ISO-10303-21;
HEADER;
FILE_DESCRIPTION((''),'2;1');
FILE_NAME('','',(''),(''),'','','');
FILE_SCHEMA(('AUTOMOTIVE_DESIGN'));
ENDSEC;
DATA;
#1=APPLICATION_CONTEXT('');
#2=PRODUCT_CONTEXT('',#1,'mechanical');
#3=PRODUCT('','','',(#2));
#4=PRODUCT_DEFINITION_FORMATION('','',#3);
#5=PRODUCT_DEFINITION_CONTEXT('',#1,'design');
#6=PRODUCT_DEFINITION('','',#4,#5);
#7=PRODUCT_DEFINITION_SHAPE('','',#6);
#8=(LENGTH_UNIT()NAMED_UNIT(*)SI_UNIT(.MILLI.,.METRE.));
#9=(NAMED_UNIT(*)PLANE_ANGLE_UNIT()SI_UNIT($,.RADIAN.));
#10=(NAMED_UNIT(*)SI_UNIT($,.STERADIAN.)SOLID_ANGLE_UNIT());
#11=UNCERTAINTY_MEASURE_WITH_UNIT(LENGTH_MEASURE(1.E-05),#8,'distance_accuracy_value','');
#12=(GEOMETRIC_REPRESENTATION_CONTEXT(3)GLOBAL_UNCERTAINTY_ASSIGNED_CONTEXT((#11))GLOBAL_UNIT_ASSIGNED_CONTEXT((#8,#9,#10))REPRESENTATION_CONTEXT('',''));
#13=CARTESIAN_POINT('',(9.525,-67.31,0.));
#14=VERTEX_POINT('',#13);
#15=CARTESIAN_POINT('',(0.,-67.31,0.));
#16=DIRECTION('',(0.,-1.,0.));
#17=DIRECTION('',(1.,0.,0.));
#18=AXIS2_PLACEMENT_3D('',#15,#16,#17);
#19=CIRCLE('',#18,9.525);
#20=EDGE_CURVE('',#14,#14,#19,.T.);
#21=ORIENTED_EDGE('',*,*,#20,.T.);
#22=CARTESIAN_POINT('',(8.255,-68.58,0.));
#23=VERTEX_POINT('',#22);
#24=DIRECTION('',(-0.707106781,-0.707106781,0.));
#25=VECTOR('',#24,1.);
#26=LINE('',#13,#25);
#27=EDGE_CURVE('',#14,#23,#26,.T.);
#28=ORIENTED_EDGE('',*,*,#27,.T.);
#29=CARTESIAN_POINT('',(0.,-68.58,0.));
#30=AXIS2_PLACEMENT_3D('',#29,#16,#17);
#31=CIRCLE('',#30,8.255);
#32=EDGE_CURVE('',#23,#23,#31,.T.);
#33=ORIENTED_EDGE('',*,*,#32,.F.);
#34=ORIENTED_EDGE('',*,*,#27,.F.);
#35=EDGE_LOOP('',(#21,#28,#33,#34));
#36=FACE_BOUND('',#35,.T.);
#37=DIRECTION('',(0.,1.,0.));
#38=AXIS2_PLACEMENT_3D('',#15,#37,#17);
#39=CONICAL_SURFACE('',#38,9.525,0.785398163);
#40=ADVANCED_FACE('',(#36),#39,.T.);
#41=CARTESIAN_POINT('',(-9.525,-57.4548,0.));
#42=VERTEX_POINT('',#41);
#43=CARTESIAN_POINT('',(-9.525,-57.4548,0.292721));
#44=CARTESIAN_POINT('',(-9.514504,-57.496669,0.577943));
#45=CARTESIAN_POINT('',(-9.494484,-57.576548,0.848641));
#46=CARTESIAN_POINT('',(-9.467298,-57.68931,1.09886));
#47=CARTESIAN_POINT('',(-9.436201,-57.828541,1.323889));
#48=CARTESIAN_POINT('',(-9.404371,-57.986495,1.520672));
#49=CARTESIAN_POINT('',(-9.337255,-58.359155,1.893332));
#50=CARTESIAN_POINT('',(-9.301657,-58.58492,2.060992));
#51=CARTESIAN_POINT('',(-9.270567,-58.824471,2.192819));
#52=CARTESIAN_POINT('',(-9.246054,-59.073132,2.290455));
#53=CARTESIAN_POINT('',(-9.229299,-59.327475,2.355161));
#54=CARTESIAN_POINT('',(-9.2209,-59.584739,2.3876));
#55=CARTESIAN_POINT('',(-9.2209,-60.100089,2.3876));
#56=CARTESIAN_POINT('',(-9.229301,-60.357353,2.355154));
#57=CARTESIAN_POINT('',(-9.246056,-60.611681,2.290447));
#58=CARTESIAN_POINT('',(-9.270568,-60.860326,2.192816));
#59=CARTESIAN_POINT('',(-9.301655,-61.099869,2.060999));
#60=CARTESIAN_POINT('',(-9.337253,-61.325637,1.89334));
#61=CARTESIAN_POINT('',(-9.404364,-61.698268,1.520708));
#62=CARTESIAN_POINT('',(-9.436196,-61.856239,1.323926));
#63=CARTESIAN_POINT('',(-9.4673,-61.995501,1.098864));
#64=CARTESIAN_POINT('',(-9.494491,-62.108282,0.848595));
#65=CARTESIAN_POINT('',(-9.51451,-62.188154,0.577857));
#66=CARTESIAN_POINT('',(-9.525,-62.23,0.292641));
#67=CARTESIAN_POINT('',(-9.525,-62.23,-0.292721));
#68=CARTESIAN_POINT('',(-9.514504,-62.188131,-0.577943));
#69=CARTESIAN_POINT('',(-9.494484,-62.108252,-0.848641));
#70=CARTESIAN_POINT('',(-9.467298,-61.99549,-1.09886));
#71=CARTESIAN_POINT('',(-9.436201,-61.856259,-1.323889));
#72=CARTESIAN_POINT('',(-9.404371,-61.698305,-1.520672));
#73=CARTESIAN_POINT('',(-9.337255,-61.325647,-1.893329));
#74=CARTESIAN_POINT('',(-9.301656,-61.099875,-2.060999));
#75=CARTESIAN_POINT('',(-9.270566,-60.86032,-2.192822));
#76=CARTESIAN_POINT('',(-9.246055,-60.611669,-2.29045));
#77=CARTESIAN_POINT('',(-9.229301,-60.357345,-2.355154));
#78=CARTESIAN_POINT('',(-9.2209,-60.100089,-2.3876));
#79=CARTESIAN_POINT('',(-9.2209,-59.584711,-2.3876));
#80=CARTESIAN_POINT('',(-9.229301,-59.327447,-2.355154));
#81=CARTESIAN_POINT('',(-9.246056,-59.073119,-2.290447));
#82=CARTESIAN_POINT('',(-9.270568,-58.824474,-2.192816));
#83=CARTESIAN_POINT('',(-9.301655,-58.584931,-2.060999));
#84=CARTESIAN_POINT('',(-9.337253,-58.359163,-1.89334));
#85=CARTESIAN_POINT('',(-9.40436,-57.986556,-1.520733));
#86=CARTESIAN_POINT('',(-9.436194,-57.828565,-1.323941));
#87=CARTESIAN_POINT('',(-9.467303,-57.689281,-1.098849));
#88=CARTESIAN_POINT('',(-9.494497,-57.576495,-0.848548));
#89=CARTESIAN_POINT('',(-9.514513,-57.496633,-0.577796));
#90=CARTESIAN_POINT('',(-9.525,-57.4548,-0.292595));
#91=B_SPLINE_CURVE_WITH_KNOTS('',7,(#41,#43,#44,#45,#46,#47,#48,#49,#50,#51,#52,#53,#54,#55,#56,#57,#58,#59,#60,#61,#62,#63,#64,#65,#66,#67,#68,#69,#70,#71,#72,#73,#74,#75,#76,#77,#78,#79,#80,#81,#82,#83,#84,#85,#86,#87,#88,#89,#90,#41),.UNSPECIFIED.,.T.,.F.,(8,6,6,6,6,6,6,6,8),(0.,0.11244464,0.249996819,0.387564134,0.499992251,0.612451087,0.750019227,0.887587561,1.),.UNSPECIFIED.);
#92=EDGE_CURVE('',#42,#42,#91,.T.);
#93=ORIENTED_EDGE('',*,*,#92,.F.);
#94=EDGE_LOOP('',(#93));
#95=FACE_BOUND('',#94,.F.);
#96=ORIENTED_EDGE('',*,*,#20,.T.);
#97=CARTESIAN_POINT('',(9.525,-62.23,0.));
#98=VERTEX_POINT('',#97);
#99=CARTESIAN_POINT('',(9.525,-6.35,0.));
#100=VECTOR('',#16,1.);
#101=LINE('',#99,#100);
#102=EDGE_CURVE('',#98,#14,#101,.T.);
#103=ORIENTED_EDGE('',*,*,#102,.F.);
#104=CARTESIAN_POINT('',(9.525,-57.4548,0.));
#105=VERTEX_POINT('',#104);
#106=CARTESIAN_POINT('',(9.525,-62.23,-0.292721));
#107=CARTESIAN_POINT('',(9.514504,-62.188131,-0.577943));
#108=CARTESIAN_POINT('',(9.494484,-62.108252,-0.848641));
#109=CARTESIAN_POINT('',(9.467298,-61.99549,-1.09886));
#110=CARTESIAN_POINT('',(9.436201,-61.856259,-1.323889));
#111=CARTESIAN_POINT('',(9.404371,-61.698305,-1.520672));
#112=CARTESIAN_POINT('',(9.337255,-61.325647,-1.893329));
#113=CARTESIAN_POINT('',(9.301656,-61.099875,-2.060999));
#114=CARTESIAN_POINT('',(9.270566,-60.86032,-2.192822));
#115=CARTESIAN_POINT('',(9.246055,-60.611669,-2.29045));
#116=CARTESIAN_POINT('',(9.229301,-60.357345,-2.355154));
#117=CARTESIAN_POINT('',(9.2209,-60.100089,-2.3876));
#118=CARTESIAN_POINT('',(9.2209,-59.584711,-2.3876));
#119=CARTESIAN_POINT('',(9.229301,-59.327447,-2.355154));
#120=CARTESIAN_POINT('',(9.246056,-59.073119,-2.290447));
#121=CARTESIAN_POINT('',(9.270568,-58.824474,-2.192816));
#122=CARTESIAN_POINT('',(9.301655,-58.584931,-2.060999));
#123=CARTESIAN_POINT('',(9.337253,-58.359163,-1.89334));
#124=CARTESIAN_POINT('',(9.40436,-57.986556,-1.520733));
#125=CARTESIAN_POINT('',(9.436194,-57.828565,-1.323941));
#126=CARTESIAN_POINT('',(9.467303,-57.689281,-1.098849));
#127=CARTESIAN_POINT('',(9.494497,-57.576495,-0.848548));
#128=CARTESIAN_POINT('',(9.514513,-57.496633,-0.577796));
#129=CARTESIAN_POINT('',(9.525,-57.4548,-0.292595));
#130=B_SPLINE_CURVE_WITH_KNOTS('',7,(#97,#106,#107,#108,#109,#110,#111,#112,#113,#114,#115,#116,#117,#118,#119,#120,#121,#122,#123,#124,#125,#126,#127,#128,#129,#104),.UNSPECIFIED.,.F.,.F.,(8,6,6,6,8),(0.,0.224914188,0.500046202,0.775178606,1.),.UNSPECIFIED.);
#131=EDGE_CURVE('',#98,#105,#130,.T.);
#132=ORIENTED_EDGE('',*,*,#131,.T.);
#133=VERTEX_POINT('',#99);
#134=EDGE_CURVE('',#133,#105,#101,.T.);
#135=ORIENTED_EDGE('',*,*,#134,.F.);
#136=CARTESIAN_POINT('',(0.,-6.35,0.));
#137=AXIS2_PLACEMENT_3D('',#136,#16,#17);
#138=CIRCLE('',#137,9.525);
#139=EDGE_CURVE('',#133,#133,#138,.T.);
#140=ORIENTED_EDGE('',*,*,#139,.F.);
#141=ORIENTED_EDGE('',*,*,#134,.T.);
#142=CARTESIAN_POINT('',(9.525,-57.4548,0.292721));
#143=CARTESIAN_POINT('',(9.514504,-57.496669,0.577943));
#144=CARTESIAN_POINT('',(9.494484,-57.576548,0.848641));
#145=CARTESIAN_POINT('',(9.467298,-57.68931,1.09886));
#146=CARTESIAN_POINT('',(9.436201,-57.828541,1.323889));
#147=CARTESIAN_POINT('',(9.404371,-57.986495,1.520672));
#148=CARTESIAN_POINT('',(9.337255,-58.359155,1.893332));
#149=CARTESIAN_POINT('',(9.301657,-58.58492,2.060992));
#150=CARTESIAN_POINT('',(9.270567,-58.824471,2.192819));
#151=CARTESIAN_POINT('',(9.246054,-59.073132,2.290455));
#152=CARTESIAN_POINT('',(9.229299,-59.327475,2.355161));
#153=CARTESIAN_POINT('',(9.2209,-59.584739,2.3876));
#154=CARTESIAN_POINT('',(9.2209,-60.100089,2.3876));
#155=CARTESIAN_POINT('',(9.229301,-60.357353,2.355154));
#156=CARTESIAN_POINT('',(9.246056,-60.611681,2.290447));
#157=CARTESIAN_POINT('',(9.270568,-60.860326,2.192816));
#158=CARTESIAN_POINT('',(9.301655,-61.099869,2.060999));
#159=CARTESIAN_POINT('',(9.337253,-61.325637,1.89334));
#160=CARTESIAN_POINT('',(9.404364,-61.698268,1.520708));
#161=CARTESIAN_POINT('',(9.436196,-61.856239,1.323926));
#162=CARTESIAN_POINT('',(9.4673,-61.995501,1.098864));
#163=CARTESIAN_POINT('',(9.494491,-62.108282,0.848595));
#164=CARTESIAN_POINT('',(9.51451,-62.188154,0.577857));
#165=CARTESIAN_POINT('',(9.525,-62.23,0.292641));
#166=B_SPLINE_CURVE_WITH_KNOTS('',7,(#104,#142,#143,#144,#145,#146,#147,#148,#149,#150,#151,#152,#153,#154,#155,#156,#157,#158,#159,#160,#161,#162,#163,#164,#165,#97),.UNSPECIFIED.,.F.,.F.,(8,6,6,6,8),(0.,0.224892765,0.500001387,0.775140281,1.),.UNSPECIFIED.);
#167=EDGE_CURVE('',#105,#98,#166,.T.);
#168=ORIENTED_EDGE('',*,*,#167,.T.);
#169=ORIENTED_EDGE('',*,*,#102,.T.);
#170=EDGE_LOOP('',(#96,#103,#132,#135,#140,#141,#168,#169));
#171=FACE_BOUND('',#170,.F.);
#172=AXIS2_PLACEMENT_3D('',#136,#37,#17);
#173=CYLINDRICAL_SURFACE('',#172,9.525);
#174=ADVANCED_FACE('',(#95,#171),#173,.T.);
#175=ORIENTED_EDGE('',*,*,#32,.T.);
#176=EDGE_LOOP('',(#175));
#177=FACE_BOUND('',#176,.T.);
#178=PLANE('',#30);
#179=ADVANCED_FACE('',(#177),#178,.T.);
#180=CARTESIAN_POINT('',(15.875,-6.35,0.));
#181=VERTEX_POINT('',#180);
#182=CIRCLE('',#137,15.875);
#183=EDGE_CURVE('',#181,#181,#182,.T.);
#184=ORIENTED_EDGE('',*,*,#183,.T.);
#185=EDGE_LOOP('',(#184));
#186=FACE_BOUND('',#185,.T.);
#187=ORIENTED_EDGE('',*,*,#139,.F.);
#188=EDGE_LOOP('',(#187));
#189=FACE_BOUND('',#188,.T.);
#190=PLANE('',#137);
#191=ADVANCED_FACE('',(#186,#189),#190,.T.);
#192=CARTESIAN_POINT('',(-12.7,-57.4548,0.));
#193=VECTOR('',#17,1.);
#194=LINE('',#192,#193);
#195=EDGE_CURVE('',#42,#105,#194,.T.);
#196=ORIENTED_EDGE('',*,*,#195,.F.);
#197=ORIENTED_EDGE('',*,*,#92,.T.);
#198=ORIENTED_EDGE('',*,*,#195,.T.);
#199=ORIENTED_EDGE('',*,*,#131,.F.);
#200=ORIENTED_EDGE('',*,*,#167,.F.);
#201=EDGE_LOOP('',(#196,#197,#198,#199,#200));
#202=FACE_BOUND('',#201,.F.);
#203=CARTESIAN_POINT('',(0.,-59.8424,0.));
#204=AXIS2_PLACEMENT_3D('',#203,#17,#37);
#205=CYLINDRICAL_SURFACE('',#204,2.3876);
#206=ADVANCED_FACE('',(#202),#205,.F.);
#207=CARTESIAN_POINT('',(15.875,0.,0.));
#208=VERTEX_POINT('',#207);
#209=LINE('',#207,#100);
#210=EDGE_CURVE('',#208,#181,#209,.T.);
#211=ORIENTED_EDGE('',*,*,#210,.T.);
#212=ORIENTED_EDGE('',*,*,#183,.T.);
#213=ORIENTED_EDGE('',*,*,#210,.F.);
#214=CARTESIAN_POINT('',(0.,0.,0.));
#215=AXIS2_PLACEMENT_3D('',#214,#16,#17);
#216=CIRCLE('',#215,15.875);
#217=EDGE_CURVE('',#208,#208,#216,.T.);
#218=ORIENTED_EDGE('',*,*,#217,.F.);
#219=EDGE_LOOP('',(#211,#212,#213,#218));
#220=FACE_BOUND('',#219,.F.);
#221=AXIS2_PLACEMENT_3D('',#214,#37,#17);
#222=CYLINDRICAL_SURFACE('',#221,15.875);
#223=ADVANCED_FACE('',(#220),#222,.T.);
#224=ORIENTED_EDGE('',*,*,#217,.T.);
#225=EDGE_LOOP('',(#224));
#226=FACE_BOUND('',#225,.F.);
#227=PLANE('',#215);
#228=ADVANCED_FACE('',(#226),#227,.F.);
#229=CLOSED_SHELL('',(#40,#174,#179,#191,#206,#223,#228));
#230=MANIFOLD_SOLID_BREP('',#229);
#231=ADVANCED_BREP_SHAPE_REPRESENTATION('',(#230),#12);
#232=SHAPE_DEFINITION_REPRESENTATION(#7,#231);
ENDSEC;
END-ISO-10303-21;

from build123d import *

# Parameters (mm, degrees)
F0_R     = 15.875
F1_DEPTH = 6.35
F2_R     = 9.525
F3_DEPTH = 62.23
F4_R     = 2.3876
F5_DEPTH = 12.7
F6_SIZE2 = 1.27
F6_SIZE  = 1.27


with BuildPart() as f1:
    # F0 (on Front) → F1 (new body)
    with BuildSketch(Plane.XZ):
        Circle(F0_R)
    extrude(amount=F1_DEPTH)

    # F2 (on face) → F3 (join)
    with BuildSketch(Plane.XZ.offset(6.35)):
        Circle(F2_R)
    extrude(amount=F3_DEPTH)

    # F4 (on Right) → F5 (cut, symmetric)
    with BuildSketch(Plane.YZ):
        with Locations((-59.8424, 0)):
            Circle(F4_R)
    extrude(amount=F5_DEPTH, both=True, mode=Mode.SUBTRACT)

    # F6
    f6_edges = [f1.edges().sort_by_distance(p)[0] for p in [
        (-9.525, -68.58, 0),
    ]]
    chamfer(f6_edges, length=F6_SIZE, length2=F6_SIZE2)


solid = f1.part
